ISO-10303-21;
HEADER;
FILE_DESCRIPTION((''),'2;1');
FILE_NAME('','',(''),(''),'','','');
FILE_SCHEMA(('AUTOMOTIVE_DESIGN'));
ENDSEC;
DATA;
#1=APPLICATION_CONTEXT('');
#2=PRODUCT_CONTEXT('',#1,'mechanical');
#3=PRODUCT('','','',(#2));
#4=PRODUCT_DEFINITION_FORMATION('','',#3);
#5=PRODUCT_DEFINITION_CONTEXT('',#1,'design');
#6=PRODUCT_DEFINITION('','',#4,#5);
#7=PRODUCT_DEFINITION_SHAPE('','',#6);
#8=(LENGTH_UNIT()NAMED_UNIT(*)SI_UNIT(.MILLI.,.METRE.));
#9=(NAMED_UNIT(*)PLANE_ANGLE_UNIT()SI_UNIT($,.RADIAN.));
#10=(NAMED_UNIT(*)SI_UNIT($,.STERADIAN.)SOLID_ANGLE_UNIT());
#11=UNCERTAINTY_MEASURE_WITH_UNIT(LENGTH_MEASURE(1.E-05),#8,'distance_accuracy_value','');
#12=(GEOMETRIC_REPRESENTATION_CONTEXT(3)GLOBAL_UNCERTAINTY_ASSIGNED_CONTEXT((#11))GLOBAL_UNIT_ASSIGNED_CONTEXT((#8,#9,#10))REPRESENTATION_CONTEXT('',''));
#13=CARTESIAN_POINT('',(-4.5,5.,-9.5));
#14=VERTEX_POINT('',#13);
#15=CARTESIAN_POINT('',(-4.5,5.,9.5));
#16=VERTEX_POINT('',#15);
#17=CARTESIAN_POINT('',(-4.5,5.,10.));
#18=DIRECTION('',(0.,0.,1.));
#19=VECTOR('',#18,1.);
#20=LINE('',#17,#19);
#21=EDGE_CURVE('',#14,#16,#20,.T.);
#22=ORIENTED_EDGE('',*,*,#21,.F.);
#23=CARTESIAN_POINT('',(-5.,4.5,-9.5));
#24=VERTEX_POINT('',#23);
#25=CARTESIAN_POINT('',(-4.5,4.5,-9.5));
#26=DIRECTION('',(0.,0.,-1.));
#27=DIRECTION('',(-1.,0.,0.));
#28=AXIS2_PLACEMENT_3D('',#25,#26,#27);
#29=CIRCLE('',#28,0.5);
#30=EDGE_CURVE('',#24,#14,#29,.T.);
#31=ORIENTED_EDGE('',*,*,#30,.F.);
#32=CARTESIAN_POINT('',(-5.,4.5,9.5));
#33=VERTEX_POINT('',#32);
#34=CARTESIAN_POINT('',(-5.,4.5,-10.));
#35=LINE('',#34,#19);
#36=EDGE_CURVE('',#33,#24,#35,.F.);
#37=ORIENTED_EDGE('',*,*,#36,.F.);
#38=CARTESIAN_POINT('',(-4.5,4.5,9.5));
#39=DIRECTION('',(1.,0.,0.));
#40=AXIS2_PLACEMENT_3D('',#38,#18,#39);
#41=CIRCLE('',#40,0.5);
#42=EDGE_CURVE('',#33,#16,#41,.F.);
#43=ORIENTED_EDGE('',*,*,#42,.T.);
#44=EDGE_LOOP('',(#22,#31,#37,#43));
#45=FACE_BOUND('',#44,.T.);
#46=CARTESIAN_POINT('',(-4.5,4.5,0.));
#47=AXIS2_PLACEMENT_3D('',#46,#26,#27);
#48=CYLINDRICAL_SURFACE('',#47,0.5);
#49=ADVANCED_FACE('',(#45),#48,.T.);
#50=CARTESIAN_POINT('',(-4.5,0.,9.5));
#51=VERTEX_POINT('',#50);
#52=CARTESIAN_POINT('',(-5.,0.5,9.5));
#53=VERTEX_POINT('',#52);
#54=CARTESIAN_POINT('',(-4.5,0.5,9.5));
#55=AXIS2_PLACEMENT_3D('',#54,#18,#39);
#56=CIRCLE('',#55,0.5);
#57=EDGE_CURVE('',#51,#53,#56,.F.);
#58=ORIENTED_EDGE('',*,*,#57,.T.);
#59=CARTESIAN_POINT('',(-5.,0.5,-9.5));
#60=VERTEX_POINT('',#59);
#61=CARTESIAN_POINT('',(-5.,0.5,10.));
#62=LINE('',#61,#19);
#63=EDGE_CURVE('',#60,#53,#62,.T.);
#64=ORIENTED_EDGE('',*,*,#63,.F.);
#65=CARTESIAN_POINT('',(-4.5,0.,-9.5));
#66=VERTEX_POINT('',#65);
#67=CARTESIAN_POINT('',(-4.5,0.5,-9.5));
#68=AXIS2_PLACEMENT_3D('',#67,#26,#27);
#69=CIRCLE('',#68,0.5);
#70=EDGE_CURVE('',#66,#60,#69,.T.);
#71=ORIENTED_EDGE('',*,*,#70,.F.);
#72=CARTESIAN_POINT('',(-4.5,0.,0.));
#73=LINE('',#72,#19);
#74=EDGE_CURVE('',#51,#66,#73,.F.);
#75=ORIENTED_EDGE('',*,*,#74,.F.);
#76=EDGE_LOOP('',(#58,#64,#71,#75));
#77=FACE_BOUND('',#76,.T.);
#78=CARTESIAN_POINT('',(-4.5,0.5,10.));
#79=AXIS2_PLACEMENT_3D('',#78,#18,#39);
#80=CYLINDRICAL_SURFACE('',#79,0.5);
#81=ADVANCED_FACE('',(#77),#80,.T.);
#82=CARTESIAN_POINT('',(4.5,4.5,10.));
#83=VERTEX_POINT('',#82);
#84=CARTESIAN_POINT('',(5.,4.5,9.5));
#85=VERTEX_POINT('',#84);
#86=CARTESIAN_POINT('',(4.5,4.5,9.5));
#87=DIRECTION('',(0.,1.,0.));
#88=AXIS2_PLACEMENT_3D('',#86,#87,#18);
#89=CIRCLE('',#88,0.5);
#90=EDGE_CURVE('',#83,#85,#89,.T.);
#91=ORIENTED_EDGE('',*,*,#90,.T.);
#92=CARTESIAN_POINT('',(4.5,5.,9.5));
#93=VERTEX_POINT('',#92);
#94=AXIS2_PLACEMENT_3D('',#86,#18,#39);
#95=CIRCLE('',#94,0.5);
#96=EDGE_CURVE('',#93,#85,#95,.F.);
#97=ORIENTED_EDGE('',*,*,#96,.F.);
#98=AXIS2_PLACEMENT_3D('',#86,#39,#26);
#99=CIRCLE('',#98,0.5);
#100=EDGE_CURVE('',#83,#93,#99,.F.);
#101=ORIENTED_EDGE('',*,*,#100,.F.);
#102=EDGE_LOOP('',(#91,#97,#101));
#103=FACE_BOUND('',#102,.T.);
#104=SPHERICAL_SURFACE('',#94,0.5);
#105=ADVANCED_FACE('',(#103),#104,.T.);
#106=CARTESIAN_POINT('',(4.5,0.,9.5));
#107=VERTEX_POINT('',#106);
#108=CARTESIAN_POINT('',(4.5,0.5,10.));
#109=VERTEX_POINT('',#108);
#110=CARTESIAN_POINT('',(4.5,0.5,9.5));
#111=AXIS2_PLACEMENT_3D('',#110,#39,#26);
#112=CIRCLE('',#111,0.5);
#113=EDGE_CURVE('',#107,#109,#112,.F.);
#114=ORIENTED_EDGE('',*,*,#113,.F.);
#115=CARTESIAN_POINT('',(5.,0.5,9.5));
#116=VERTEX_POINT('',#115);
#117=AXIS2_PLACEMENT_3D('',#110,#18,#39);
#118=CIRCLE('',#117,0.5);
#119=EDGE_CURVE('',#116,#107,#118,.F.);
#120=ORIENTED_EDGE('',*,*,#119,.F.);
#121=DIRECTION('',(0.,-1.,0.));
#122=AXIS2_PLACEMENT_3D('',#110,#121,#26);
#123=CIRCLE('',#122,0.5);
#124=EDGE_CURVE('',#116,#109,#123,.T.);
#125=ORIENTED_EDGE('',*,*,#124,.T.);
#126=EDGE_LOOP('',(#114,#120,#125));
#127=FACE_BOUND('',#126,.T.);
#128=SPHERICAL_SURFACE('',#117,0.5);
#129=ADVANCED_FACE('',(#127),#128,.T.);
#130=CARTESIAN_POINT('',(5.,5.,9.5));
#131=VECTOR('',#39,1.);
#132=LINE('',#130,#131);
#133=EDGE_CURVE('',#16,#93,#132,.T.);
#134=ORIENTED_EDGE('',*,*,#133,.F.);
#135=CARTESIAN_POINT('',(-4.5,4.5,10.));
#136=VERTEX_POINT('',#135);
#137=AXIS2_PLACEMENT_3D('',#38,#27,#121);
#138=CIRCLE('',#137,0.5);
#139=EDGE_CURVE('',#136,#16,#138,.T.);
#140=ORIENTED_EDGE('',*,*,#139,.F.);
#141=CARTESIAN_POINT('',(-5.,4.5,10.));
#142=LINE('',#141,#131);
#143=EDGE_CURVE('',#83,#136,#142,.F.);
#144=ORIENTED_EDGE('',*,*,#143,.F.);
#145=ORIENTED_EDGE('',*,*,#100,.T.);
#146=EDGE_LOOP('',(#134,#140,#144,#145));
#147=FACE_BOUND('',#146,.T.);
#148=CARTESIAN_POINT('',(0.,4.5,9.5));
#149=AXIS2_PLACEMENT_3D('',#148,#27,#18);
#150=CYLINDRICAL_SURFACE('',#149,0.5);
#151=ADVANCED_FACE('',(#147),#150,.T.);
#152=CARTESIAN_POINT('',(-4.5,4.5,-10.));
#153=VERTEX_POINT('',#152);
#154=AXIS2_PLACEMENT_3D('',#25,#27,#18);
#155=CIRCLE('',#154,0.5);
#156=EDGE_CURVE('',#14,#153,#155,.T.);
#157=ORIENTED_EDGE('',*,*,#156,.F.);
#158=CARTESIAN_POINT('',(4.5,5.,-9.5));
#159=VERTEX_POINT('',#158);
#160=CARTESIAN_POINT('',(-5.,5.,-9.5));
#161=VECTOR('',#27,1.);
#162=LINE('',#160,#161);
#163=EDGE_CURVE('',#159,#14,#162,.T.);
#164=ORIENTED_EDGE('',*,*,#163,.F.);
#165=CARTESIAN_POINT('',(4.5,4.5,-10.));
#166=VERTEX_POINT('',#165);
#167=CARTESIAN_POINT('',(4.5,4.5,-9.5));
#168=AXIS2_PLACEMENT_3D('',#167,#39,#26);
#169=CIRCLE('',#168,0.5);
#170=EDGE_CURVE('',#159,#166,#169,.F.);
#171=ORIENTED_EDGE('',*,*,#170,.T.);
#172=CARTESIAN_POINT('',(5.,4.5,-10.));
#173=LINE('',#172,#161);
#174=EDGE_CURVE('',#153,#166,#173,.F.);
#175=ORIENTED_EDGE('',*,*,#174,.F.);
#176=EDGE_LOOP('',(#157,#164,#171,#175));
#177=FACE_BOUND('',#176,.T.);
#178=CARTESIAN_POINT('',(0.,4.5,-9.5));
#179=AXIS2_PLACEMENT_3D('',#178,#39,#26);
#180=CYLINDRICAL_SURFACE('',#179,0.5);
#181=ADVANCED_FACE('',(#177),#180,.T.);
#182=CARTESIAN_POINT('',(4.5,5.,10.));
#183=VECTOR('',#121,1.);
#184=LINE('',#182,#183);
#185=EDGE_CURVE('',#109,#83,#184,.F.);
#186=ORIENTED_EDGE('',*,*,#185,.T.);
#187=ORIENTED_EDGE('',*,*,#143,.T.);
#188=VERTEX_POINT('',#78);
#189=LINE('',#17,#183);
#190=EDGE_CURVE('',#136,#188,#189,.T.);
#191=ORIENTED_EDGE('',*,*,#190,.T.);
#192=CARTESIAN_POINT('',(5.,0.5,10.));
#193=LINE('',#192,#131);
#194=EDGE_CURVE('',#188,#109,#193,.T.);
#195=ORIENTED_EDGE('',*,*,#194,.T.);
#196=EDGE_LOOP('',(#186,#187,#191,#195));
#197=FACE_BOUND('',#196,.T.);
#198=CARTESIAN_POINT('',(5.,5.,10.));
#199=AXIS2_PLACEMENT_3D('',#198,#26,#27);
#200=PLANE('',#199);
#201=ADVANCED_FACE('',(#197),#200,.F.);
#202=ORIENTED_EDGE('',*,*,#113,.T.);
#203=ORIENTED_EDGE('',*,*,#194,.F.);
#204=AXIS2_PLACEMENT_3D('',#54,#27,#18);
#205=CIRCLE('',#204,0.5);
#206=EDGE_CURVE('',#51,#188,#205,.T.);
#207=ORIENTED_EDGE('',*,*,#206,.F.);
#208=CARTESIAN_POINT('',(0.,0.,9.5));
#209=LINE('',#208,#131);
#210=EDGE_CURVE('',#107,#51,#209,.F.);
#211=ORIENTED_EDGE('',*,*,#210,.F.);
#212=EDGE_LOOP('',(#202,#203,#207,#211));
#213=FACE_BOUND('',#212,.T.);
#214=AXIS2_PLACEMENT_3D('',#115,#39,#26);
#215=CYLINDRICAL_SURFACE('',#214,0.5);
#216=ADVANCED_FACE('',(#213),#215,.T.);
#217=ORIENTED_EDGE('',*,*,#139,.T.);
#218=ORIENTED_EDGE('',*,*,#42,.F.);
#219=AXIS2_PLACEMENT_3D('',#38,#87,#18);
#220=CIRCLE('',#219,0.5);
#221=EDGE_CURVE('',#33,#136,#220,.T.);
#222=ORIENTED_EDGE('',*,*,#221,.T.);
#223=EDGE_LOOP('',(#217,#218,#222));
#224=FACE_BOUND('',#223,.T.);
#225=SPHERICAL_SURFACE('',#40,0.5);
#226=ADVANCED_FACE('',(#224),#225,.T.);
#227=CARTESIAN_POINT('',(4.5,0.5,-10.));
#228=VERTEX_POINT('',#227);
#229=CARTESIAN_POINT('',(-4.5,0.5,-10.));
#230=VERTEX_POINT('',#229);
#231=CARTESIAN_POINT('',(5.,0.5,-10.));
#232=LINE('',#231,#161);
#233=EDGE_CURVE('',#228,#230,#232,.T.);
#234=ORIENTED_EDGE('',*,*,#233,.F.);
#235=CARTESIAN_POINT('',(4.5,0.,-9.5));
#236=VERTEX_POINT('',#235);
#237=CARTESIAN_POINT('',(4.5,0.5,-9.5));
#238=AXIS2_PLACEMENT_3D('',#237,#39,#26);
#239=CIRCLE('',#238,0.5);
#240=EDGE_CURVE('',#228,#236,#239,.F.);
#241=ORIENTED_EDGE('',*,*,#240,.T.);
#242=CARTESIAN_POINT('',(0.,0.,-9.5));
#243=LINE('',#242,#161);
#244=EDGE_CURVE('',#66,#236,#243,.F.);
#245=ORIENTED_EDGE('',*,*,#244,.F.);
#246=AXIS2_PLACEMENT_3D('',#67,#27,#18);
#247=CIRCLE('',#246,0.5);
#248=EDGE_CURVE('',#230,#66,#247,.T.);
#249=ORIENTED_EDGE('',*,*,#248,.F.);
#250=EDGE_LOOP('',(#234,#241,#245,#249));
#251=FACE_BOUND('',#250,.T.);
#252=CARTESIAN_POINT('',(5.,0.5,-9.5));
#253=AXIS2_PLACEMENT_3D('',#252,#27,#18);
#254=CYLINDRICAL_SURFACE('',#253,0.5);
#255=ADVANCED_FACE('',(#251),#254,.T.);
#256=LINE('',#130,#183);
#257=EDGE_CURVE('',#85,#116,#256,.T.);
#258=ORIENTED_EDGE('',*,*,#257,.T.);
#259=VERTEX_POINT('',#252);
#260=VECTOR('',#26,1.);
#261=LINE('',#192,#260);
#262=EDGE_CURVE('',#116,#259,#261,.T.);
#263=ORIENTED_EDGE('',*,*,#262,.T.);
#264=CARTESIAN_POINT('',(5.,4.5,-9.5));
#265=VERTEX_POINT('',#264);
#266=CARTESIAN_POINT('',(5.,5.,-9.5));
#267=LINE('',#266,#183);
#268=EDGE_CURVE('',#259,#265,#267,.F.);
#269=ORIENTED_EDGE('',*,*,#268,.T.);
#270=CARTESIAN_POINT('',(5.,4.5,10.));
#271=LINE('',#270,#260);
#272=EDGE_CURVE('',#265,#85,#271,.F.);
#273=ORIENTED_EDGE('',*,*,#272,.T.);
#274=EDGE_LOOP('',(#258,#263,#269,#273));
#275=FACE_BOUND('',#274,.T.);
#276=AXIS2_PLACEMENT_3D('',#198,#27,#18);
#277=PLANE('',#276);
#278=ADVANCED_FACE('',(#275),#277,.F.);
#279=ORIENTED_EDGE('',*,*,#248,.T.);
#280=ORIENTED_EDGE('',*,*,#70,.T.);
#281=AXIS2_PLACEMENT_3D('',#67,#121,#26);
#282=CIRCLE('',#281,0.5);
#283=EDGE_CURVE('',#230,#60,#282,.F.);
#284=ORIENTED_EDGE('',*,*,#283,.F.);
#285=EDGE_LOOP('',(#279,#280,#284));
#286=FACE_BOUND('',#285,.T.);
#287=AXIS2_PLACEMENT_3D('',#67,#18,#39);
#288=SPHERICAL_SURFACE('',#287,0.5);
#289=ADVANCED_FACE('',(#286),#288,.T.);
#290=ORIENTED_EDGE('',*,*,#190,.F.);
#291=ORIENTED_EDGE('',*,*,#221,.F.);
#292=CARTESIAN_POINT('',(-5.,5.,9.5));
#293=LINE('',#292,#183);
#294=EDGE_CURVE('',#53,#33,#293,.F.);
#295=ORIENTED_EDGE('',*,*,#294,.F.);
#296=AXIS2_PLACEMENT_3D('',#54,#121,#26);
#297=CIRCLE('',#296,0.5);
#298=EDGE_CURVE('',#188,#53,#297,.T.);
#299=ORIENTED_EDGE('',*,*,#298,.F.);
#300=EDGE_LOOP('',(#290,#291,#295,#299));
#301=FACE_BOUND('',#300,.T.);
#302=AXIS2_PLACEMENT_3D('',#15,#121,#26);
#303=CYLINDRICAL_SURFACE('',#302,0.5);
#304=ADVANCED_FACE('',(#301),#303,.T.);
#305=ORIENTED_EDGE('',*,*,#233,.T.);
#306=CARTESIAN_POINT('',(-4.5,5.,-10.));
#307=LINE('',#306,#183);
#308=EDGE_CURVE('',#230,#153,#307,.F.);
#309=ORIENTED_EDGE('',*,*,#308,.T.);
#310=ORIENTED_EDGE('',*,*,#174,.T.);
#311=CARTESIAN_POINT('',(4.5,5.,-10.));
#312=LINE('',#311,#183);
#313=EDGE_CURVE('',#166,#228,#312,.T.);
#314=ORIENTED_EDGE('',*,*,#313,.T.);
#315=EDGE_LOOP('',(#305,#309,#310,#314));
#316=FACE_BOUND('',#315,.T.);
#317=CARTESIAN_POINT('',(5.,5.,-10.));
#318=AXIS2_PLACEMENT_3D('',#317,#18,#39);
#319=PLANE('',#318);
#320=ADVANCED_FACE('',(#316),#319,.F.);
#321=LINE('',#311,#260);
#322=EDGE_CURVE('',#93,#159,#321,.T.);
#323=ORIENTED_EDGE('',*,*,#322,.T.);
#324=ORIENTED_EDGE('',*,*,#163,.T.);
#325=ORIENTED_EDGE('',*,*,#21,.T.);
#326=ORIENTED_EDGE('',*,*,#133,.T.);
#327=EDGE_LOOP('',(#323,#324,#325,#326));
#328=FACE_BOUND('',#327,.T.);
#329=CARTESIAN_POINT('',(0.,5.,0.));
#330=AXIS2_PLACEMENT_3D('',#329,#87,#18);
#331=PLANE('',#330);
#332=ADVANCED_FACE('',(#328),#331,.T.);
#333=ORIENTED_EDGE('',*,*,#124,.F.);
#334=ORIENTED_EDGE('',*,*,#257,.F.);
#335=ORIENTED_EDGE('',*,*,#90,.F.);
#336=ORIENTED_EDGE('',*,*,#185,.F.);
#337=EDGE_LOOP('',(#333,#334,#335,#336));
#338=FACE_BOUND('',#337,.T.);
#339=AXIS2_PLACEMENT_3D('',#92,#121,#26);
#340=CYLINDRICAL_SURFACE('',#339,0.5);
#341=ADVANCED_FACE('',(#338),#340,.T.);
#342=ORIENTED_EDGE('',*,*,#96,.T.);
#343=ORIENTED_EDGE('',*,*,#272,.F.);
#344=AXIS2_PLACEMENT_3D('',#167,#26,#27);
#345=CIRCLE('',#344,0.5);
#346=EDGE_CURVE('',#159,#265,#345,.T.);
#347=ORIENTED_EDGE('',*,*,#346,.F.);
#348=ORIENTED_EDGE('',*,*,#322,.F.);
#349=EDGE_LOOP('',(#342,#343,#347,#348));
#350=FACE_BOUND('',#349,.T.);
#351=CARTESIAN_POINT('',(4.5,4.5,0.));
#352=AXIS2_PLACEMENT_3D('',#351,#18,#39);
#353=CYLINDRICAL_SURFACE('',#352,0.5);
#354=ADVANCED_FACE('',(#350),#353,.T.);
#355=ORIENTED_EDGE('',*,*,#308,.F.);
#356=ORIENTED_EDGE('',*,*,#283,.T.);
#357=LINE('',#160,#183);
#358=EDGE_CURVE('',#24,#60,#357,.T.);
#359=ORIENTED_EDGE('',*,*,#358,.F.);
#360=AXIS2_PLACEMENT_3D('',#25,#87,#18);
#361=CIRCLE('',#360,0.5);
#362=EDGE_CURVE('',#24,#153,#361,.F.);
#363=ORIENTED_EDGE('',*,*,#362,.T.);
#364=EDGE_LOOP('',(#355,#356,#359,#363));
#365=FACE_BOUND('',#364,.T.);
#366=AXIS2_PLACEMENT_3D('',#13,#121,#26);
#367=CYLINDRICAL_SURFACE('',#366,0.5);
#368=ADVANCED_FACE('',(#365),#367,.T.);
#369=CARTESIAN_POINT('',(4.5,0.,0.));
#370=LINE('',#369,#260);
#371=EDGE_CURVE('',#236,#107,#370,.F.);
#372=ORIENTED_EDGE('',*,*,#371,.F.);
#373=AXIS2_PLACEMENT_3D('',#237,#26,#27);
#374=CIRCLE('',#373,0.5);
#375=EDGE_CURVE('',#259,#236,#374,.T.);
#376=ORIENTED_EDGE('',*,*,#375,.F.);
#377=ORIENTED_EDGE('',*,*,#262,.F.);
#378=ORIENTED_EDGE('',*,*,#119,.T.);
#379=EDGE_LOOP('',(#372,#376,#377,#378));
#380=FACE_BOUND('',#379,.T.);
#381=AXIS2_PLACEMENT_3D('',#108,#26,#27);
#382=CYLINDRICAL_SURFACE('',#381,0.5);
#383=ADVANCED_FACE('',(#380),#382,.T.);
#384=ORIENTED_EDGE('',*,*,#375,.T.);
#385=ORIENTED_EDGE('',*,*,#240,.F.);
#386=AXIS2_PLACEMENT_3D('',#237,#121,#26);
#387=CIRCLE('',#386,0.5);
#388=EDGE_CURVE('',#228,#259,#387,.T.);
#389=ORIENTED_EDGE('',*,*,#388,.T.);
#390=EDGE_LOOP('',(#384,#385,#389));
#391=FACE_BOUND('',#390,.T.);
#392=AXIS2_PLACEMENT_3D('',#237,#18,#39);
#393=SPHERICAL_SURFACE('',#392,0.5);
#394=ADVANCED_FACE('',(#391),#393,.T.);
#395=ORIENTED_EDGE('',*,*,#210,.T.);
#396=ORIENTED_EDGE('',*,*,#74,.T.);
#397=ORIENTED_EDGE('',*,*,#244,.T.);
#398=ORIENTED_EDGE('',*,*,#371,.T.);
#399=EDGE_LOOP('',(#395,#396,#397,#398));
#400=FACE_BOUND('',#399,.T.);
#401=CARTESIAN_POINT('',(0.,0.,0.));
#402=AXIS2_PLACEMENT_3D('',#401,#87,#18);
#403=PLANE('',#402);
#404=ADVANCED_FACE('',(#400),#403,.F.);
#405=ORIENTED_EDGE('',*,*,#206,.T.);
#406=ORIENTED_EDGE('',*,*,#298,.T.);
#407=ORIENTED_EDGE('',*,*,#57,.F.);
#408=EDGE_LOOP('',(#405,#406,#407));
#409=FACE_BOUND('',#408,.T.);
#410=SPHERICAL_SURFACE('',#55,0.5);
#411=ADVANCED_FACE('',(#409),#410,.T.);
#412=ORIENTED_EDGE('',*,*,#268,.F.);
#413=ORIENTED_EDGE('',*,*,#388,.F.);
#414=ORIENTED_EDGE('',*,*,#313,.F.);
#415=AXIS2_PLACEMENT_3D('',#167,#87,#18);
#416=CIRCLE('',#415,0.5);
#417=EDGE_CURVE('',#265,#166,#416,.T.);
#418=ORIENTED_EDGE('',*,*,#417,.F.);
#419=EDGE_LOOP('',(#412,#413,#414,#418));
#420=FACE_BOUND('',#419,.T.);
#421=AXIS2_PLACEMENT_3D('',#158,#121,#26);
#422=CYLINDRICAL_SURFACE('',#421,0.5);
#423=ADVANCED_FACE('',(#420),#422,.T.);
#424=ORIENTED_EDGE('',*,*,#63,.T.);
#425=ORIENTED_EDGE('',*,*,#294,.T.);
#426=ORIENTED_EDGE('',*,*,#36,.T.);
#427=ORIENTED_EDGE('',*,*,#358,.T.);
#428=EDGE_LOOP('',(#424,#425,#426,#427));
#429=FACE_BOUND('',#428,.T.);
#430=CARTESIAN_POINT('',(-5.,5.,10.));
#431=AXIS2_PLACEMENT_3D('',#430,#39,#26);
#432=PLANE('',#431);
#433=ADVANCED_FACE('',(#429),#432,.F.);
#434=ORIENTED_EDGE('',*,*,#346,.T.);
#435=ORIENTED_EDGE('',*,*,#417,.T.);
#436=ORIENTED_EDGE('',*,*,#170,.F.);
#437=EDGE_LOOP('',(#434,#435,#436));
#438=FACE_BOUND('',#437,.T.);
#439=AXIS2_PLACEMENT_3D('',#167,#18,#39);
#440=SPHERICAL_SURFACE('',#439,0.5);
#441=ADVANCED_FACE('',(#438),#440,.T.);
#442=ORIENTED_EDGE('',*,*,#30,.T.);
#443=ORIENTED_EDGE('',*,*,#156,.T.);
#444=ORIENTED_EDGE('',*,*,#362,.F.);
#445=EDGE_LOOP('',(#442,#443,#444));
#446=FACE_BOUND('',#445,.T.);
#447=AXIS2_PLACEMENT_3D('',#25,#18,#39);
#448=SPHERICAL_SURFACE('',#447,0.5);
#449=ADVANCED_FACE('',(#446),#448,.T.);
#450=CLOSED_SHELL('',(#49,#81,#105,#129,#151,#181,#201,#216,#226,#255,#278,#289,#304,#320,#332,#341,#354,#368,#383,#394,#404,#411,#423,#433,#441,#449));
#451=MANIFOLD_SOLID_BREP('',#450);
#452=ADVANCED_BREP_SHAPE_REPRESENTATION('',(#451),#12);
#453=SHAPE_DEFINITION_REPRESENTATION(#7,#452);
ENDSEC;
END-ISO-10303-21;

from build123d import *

# Parameters (mm, degrees)
SKETCH1_W           = 10
SKETCH1_H           = 20
BOSS_EXTRUDE1_DEPTH = 5
FILLET1_R           = 0.5


with BuildPart() as part:
    # Sketch1 → Boss-Extrude1 (new body)
    with BuildSketch(Plane(origin=(0, 0, 0), x_dir=(1, 0, 0), z_dir=(0, 1, 0))):
        Rectangle(SKETCH1_W, SKETCH1_H)
    extrude(amount=BOSS_EXTRUDE1_DEPTH)

    # Fillet1
    fillet1_edges = [part.edges().sort_by_distance(p)[0] for p in [
        (5, 5, 0),
        (0, 5, -10),
        (-5, 5, 0),
        (0, 0, -10),
        (5, 0, 0),
        (0, 0, 10),
        (-5, 0, 0),
        (-5, 2.5, -10),
        (5, 2.5, -10),
        (5, 2.5, 10),
        (-5, 2.5, 10),
        (0, 5, 10),
    ]]
    fillet(fillet1_edges, radius=FILLET1_R)


solid = part.part
